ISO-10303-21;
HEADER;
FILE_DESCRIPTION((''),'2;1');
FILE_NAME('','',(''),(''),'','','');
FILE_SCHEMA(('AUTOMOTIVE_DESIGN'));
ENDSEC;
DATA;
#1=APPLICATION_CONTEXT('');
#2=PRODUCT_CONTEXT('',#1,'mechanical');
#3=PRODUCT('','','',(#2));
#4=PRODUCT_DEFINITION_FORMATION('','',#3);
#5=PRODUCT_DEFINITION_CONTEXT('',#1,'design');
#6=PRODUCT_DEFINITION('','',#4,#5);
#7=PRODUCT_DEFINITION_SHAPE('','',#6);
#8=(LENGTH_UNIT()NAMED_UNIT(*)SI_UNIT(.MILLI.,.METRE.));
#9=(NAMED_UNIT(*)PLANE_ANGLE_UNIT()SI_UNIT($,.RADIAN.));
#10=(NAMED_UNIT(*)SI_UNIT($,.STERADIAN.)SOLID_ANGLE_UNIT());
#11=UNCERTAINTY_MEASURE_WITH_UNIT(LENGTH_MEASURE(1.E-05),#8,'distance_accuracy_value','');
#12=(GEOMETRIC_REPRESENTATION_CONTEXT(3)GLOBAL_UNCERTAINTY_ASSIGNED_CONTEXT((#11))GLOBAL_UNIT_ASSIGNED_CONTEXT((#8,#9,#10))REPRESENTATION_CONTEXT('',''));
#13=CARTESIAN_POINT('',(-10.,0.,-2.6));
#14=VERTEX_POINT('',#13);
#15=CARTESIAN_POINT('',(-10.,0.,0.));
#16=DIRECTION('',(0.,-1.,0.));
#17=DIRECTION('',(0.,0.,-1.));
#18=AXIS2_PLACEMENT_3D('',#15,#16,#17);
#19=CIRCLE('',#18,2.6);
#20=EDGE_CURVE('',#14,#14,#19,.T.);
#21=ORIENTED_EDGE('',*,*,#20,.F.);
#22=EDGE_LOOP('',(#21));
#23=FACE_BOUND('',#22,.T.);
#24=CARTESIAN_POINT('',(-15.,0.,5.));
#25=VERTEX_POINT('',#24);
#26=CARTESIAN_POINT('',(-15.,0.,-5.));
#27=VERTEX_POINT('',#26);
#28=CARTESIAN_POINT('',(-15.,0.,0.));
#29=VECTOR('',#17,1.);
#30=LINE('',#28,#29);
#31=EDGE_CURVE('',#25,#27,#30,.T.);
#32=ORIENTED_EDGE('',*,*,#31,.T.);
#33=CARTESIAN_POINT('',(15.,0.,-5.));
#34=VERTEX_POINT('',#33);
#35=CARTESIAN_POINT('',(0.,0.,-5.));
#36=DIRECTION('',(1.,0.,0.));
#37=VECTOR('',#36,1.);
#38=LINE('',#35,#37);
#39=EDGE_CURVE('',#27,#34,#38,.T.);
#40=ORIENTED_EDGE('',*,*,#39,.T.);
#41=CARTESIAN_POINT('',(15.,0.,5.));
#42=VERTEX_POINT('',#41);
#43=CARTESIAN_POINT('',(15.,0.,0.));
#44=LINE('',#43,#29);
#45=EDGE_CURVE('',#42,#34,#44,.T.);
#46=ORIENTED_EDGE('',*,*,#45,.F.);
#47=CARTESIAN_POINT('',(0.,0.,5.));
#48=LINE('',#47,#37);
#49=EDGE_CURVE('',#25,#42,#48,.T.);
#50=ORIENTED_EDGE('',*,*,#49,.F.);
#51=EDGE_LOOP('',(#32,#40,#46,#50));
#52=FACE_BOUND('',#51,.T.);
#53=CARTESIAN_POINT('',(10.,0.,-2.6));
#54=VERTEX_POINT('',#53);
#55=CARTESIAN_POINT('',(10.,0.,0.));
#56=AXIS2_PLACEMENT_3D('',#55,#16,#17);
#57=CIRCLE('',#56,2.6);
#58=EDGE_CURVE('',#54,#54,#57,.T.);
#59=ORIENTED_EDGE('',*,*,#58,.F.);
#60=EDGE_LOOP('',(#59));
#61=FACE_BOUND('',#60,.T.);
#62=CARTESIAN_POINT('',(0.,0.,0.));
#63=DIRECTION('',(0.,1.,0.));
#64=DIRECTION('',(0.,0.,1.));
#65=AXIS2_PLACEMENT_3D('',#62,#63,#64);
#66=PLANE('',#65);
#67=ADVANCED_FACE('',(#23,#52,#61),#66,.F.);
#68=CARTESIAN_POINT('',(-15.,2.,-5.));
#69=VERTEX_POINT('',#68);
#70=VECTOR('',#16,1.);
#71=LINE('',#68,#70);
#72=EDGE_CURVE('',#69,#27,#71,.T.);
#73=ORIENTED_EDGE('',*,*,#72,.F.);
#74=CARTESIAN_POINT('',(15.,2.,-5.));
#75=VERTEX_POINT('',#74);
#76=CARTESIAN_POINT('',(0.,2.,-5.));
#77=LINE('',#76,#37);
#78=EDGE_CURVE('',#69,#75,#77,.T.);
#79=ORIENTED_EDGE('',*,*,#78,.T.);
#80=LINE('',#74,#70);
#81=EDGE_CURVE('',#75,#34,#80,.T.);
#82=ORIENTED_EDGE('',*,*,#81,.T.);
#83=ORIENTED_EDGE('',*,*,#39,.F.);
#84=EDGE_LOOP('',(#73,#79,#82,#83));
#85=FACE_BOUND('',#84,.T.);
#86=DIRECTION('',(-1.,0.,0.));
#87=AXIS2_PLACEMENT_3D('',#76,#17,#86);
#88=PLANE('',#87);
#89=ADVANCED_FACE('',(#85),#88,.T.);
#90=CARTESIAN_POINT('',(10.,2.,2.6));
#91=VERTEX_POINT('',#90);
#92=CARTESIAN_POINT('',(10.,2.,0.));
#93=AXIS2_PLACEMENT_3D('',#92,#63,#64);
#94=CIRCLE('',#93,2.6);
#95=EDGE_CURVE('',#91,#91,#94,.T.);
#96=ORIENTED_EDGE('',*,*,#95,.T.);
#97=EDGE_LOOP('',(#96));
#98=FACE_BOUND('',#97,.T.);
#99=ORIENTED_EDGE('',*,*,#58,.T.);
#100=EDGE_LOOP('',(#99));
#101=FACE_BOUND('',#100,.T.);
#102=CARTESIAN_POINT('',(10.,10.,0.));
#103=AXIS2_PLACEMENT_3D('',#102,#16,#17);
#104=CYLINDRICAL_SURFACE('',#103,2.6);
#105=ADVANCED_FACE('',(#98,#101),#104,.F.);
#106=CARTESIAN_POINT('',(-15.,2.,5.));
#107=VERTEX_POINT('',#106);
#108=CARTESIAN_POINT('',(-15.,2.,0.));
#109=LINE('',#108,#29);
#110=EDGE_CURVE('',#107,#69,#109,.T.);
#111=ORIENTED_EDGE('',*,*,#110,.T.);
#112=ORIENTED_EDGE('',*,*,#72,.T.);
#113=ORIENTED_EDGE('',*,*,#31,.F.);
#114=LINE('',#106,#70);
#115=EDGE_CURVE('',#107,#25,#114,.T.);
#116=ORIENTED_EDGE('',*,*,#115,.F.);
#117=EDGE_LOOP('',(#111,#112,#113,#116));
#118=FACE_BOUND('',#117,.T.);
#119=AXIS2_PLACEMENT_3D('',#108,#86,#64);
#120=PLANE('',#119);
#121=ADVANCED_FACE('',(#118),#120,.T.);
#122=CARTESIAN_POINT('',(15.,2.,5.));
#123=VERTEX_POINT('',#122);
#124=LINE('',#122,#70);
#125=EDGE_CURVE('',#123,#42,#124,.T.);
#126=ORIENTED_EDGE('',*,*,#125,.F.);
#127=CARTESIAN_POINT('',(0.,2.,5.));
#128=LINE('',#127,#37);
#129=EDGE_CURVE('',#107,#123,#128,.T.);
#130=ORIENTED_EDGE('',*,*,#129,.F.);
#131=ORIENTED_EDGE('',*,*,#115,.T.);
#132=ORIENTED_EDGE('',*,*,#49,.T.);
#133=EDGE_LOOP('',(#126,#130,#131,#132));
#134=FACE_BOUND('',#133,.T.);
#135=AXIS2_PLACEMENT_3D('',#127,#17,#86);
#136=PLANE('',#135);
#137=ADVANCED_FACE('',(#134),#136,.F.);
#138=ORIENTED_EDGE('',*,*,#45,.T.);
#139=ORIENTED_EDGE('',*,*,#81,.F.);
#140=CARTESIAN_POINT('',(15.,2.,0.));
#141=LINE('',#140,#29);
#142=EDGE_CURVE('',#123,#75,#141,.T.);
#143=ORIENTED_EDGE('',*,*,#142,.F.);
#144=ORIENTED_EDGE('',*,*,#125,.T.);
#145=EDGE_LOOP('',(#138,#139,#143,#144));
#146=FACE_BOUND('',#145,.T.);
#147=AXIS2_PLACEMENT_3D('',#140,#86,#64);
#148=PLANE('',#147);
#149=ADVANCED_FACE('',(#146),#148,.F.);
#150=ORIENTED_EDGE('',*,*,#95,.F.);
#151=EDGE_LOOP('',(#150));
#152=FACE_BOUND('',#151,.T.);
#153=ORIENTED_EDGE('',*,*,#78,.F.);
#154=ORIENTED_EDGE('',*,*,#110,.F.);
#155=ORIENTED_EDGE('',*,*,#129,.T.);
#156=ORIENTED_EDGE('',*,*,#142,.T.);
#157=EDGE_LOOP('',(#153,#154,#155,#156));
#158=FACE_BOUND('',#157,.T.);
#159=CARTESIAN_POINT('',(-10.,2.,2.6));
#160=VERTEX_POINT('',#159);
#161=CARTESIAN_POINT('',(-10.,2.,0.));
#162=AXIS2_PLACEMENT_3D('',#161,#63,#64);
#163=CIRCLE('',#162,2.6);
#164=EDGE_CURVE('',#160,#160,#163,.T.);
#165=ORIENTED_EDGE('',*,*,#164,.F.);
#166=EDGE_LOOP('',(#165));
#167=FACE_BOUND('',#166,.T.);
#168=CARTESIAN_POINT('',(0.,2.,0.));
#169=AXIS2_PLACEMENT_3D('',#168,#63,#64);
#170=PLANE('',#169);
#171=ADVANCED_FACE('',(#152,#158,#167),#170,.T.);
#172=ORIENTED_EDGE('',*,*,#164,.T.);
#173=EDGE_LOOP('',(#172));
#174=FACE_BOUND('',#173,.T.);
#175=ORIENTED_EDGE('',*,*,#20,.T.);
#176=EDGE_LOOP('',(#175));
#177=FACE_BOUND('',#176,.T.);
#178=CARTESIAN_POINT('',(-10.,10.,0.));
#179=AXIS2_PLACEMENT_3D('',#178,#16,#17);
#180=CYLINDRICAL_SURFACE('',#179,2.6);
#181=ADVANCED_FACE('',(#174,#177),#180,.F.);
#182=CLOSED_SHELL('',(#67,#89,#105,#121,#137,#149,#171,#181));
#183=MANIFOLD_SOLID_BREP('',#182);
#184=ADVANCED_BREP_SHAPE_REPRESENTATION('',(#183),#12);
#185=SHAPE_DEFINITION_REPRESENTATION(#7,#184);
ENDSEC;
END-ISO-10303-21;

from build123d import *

# Parameters (mm, degrees)
SKETCH_1_W          = 30
SKETCH_1_H          = 10
EXTRUDE_1_DEPTH     = 2
SKETCH_2_R          = 2.6
CUT_EXTRUDE_1_DEPTH = 10


with BuildPart() as part:
    # 草图1 → 凸台-拉伸1 (new body)
    # profile 1 of 2: a face of its own
    with BuildSketch(Plane(origin=(0, 0, 0), x_dir=(1, 0, 0), z_dir=(0, 1, 0))):
        Rectangle(SKETCH_1_W, SKETCH_1_H)
        with BuildLine():
            Line((10, -2.5), (-10, -2.5))
            ThreePointArc((-10, -2.5), (-12.5, 0), (-10, 2.5))
            Line((-10, 2.5), (10, 2.5))
            ThreePointArc((10, 2.5), (11.767766953, 1.767766953), (12.5, 0))
            ThreePointArc((12.5, 0), (11.767766953, -1.767766953), (10, -2.5))
        make_face(mode=Mode.SUBTRACT)
    # profile 2 of 2: a face of its own
    with BuildSketch(Plane(origin=(0, 0, 0), x_dir=(1, 0, 0), z_dir=(0, 1, 0))):
        with BuildLine():
            ThreePointArc((-7.5, 0), (-8.232233047, -1.767766953), (-10, -2.5))
            Line((-10, -2.5), (10, -2.5))
            ThreePointArc((10, -2.5), (7.5, 0), (10, 2.5))
            Line((10, 2.5), (-10, 2.5))
            ThreePointArc((-10, 2.5), (-8.232233047, 1.767766953), (-7.5, 0))
        make_face()
    extrude(amount=EXTRUDE_1_DEPTH)

    # 草图2 → 切除-拉伸1 (cut)
    with BuildSketch(Plane.XZ):
        with Locations(Location((-10, 0, 0), (0, 0, 270))):
            Circle(SKETCH_2_R)
        with Locations(Location((10, 0, 0), (0, 0, 270))):
            Circle(SKETCH_2_R)
    extrude(amount=-CUT_EXTRUDE_1_DEPTH, mode=Mode.SUBTRACT)


solid = part.part
